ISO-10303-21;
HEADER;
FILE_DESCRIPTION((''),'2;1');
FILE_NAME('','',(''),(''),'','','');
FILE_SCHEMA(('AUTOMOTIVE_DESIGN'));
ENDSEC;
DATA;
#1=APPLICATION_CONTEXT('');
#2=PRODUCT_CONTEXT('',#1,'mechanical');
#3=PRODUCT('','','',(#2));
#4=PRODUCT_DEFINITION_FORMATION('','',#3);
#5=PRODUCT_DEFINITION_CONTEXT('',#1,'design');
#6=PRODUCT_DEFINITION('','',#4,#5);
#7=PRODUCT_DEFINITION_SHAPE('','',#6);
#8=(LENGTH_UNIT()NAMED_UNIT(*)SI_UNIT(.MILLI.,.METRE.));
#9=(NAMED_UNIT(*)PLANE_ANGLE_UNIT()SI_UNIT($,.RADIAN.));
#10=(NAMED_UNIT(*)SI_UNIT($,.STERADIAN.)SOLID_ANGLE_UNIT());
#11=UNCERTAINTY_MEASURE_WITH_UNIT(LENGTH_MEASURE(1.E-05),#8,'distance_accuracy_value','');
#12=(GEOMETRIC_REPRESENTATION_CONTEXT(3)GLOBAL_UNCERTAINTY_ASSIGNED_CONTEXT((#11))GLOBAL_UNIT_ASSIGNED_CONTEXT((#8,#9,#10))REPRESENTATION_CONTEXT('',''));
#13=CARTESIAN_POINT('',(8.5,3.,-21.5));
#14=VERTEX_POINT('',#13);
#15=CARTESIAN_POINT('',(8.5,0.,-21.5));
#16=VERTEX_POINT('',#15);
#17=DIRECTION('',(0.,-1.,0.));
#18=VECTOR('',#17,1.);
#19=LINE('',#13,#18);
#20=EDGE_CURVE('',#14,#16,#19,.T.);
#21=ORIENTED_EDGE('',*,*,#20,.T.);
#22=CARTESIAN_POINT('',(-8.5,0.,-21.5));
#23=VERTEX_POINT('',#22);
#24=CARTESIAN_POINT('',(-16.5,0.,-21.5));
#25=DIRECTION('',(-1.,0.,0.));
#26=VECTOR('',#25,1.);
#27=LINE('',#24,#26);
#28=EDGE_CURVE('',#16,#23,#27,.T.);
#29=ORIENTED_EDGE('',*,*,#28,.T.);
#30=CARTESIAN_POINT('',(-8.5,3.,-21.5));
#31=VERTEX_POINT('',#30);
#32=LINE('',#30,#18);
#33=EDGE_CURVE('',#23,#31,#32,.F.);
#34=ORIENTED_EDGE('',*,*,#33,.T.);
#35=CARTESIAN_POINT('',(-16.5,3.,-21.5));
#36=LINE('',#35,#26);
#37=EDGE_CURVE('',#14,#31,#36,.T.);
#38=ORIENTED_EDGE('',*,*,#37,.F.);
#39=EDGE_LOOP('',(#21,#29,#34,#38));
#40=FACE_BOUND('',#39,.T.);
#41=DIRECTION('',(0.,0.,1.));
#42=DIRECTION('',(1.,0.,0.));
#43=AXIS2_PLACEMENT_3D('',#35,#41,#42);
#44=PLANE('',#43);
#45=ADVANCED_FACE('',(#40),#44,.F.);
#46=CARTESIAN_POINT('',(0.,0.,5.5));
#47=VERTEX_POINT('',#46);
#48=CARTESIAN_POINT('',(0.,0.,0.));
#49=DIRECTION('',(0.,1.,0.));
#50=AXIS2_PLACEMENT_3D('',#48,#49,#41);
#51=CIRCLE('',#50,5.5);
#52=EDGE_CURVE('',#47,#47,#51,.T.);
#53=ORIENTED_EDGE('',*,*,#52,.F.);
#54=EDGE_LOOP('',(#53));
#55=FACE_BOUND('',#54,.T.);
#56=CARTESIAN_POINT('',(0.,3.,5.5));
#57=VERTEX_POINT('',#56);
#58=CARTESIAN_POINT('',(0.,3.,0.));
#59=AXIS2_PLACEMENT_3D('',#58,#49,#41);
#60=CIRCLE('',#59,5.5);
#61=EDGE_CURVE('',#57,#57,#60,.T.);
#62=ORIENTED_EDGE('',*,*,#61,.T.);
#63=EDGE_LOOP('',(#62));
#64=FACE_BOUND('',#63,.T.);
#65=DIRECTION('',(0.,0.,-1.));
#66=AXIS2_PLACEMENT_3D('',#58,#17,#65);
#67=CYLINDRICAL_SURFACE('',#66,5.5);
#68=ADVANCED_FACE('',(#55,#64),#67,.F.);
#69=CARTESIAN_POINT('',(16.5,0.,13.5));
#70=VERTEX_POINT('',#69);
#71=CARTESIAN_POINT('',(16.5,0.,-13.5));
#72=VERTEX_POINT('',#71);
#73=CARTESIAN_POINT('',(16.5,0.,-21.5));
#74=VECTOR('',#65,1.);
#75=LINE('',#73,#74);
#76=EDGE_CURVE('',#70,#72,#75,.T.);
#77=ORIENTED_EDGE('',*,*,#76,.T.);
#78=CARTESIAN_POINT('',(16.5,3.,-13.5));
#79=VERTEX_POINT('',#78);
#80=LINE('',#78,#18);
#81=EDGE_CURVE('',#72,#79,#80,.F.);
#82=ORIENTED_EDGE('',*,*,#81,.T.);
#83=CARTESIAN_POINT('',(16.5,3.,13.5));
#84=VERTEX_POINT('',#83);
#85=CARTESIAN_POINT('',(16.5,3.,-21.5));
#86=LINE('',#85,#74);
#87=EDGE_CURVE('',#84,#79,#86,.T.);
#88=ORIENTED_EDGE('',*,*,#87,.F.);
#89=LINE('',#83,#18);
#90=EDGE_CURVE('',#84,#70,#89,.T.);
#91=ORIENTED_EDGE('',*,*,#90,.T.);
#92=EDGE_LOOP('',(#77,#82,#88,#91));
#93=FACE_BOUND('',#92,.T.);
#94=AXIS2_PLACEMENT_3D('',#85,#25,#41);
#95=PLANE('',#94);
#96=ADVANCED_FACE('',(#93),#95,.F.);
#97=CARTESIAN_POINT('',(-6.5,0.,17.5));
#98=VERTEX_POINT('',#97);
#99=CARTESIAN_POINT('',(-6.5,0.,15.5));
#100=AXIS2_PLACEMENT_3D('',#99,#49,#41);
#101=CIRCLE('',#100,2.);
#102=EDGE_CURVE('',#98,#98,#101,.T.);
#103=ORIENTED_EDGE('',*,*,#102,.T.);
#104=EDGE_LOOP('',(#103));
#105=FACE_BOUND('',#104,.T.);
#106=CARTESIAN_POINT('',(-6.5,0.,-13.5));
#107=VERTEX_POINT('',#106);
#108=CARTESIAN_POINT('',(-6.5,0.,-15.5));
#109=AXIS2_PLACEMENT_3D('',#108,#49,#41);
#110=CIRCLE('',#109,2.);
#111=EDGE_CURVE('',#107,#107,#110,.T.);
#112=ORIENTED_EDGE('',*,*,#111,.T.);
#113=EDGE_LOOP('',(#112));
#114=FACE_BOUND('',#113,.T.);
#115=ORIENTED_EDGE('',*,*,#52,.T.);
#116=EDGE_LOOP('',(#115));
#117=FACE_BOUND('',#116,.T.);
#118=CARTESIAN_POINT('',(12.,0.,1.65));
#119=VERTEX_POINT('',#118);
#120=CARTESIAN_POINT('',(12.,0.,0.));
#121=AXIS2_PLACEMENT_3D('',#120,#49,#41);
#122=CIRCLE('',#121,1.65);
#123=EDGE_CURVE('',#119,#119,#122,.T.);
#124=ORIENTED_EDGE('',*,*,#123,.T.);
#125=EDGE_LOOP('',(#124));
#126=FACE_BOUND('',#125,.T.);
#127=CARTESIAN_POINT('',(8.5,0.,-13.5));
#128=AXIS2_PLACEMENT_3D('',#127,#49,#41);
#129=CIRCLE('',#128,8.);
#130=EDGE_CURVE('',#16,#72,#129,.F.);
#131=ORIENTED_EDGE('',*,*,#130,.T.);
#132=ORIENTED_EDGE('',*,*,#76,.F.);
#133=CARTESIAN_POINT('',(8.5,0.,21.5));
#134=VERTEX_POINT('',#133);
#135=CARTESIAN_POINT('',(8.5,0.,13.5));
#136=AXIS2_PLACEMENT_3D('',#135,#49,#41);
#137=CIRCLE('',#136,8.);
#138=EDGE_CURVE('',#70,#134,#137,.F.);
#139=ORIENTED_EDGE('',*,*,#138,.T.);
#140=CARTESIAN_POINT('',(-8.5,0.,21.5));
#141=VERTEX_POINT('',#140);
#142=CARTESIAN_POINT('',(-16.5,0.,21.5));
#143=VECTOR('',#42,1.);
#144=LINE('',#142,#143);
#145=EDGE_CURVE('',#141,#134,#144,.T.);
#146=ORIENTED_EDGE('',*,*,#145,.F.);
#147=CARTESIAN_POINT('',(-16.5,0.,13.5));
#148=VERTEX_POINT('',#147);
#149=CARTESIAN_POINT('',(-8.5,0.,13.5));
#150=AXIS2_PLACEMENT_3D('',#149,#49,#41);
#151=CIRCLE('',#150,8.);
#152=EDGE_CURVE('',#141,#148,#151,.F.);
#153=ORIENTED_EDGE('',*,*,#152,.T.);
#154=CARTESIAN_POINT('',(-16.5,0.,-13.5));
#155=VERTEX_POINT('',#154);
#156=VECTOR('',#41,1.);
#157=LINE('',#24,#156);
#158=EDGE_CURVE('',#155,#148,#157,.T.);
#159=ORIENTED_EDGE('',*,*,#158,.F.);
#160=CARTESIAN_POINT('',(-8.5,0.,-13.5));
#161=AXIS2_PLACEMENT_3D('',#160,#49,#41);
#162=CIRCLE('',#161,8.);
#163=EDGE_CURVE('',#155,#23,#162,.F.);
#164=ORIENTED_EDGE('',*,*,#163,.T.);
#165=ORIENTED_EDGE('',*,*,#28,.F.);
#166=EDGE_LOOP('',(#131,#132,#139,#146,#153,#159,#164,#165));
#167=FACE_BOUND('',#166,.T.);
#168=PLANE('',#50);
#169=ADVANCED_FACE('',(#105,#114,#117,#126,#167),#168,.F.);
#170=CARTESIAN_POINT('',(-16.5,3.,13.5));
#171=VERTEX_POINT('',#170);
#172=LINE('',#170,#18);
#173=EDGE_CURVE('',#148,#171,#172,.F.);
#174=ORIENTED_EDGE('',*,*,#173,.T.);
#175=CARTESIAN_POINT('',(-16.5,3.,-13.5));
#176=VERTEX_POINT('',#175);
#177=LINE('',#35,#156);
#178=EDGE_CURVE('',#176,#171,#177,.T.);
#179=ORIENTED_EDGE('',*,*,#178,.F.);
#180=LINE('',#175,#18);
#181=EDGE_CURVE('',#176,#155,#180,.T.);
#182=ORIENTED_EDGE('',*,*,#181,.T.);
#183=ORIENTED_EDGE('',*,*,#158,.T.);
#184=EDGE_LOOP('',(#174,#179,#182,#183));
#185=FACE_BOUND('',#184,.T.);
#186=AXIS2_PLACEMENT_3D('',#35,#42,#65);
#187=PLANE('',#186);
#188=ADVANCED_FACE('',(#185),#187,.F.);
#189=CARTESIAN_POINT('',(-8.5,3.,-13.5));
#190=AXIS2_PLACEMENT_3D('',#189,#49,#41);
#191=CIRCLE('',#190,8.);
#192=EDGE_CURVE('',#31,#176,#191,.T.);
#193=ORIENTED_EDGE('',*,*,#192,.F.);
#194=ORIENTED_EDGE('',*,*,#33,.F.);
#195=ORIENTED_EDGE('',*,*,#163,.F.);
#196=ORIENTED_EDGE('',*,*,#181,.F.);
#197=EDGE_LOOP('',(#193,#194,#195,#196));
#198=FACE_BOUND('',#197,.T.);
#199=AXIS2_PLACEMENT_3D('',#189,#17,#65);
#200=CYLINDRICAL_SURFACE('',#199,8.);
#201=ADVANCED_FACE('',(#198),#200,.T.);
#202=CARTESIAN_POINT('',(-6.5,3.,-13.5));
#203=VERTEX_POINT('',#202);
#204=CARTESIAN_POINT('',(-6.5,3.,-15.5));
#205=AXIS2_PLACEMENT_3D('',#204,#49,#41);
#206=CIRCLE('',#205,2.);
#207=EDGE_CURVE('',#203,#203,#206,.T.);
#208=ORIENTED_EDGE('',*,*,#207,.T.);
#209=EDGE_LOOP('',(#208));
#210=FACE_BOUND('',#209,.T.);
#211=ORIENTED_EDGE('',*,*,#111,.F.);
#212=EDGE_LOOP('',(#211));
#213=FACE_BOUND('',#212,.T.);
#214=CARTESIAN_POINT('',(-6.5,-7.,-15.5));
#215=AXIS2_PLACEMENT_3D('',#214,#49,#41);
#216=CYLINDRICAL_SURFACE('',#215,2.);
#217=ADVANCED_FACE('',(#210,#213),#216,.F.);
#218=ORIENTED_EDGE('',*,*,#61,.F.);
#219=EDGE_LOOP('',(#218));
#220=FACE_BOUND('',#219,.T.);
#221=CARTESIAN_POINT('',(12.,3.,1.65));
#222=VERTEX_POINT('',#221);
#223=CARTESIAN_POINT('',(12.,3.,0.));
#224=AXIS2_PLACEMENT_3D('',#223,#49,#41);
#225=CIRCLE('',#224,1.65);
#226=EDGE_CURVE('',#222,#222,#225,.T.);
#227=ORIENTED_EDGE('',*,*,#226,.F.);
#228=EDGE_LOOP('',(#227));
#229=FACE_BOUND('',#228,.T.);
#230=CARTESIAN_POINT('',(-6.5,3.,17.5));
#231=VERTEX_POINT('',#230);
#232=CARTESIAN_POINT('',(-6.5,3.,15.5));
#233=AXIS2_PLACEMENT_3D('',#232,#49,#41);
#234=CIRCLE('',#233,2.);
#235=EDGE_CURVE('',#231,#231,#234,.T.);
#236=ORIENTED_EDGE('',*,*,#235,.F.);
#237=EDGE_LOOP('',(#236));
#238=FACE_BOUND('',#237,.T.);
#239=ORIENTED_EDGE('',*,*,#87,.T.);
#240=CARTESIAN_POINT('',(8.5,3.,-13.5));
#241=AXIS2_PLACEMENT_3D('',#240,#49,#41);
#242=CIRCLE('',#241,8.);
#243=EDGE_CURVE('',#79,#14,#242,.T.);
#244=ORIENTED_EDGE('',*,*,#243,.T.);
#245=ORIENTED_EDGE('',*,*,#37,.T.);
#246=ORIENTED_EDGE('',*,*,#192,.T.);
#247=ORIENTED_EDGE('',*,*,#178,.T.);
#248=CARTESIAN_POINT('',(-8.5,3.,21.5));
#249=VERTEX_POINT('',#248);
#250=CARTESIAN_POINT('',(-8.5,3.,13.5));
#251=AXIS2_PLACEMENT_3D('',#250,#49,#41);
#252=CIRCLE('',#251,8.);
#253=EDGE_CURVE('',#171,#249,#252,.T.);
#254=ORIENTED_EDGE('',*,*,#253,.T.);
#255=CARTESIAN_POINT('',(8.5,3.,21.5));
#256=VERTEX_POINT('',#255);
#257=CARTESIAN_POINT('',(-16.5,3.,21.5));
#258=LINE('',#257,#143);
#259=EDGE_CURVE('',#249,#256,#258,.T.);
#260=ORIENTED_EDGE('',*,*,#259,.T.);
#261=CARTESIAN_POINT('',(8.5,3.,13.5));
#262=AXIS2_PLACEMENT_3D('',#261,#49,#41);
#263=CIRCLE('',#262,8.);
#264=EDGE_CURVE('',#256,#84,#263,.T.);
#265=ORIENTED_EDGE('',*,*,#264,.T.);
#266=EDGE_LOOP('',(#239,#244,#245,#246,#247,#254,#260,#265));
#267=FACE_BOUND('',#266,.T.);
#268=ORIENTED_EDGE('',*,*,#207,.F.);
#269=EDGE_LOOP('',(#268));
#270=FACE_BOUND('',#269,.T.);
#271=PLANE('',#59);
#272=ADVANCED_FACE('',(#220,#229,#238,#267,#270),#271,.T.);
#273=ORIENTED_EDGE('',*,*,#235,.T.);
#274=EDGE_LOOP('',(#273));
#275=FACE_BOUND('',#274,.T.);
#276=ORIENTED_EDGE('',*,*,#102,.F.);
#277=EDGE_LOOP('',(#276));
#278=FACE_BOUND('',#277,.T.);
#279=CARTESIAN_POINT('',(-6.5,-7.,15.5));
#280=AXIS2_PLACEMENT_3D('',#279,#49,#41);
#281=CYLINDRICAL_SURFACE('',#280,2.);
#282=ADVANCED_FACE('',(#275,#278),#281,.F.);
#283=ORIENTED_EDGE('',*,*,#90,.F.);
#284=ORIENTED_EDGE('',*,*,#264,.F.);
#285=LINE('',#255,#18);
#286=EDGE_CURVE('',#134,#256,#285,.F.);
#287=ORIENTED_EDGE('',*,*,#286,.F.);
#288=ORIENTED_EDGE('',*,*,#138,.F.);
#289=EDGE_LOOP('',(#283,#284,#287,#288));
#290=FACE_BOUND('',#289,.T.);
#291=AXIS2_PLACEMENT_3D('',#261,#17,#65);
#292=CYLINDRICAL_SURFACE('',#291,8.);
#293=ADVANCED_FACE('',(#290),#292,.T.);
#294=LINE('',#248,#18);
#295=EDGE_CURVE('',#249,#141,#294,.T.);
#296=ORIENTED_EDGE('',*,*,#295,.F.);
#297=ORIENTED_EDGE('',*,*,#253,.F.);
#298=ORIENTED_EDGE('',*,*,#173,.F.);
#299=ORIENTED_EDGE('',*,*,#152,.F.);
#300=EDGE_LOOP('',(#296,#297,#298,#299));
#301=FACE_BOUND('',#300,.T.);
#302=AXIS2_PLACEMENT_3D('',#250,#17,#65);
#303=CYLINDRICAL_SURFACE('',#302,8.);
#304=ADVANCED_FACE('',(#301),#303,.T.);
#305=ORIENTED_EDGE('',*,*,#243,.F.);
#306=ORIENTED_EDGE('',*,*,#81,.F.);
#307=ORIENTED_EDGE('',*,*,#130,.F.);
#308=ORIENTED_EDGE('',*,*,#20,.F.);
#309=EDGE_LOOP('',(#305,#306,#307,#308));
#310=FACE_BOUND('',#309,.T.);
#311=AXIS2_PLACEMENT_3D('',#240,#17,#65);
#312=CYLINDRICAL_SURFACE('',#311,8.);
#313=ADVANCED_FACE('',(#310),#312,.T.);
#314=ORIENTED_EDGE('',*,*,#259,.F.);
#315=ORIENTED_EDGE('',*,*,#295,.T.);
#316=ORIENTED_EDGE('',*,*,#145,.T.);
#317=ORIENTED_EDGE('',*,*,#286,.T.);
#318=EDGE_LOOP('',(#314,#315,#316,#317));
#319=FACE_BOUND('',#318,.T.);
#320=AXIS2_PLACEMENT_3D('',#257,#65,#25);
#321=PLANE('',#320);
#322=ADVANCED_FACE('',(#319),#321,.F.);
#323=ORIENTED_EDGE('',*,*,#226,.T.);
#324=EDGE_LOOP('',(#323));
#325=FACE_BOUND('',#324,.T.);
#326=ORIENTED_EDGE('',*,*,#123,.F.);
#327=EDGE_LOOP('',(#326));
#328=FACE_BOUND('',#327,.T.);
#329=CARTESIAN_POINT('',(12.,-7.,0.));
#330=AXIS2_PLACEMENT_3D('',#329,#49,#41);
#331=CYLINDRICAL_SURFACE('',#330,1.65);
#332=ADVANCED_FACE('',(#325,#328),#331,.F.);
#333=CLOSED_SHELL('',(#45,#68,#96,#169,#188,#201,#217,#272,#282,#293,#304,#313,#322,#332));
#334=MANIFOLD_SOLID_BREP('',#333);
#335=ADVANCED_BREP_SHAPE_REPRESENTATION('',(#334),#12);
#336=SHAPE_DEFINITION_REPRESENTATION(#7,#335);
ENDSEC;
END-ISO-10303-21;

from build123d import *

# Parameters (mm, degrees)
SKETCH1_W           = 33
SKETCH1_H           = 43
SKETCH1_R           = 5.5
BOSS_EXTRUDE1_DEPTH = 3
SKETCH2_R           = 2
SKETCH2_R_2         = 1.65
CUT_EXTRUDE1_DEPTH  = 10
FILLET1_R           = 8


with BuildPart() as part:
    # Sketch1 → Boss-Extrude1 (new body)
    with BuildSketch(Plane(origin=(0, 0, 0), x_dir=(1, 0, 0), z_dir=(0, 1, 0))):
        Rectangle(SKETCH1_W, SKETCH1_H)
        with Locations(Location((0, 0, 0), (0, 0, 270))):
            Circle(SKETCH1_R, mode=Mode.SUBTRACT)
    extrude(amount=BOSS_EXTRUDE1_DEPTH)

    # Sketch2 → Cut-Extrude1 (cut)
    with BuildSketch(Plane(origin=(0, 3, 0), x_dir=(1, 0, 0), z_dir=(0, 1, 0))):
        with Locations(Location((-6.5, 15.5, 0), (0, 0, 270))):
            Circle(SKETCH2_R)
        with Locations(Location((-6.5, -15.5, 0), (0, 0, 270))):
            Circle(SKETCH2_R)
        with Locations(Location((12, 0, 0), (0, 0, 270))):
            Circle(SKETCH2_R_2)
    extrude(amount=-CUT_EXTRUDE1_DEPTH, mode=Mode.SUBTRACT)

    # Fillet1
    fillet1_edges = [part.edges().sort_by_distance(p)[0] for p in [
        (16.5, 1.5, 21.5),
        (-16.5, 1.5, 21.5),
        (-16.5, 1.5, -21.5),
        (16.5, 1.5, -21.5),
    ]]
    fillet(fillet1_edges, radius=FILLET1_R)


solid = part.part
